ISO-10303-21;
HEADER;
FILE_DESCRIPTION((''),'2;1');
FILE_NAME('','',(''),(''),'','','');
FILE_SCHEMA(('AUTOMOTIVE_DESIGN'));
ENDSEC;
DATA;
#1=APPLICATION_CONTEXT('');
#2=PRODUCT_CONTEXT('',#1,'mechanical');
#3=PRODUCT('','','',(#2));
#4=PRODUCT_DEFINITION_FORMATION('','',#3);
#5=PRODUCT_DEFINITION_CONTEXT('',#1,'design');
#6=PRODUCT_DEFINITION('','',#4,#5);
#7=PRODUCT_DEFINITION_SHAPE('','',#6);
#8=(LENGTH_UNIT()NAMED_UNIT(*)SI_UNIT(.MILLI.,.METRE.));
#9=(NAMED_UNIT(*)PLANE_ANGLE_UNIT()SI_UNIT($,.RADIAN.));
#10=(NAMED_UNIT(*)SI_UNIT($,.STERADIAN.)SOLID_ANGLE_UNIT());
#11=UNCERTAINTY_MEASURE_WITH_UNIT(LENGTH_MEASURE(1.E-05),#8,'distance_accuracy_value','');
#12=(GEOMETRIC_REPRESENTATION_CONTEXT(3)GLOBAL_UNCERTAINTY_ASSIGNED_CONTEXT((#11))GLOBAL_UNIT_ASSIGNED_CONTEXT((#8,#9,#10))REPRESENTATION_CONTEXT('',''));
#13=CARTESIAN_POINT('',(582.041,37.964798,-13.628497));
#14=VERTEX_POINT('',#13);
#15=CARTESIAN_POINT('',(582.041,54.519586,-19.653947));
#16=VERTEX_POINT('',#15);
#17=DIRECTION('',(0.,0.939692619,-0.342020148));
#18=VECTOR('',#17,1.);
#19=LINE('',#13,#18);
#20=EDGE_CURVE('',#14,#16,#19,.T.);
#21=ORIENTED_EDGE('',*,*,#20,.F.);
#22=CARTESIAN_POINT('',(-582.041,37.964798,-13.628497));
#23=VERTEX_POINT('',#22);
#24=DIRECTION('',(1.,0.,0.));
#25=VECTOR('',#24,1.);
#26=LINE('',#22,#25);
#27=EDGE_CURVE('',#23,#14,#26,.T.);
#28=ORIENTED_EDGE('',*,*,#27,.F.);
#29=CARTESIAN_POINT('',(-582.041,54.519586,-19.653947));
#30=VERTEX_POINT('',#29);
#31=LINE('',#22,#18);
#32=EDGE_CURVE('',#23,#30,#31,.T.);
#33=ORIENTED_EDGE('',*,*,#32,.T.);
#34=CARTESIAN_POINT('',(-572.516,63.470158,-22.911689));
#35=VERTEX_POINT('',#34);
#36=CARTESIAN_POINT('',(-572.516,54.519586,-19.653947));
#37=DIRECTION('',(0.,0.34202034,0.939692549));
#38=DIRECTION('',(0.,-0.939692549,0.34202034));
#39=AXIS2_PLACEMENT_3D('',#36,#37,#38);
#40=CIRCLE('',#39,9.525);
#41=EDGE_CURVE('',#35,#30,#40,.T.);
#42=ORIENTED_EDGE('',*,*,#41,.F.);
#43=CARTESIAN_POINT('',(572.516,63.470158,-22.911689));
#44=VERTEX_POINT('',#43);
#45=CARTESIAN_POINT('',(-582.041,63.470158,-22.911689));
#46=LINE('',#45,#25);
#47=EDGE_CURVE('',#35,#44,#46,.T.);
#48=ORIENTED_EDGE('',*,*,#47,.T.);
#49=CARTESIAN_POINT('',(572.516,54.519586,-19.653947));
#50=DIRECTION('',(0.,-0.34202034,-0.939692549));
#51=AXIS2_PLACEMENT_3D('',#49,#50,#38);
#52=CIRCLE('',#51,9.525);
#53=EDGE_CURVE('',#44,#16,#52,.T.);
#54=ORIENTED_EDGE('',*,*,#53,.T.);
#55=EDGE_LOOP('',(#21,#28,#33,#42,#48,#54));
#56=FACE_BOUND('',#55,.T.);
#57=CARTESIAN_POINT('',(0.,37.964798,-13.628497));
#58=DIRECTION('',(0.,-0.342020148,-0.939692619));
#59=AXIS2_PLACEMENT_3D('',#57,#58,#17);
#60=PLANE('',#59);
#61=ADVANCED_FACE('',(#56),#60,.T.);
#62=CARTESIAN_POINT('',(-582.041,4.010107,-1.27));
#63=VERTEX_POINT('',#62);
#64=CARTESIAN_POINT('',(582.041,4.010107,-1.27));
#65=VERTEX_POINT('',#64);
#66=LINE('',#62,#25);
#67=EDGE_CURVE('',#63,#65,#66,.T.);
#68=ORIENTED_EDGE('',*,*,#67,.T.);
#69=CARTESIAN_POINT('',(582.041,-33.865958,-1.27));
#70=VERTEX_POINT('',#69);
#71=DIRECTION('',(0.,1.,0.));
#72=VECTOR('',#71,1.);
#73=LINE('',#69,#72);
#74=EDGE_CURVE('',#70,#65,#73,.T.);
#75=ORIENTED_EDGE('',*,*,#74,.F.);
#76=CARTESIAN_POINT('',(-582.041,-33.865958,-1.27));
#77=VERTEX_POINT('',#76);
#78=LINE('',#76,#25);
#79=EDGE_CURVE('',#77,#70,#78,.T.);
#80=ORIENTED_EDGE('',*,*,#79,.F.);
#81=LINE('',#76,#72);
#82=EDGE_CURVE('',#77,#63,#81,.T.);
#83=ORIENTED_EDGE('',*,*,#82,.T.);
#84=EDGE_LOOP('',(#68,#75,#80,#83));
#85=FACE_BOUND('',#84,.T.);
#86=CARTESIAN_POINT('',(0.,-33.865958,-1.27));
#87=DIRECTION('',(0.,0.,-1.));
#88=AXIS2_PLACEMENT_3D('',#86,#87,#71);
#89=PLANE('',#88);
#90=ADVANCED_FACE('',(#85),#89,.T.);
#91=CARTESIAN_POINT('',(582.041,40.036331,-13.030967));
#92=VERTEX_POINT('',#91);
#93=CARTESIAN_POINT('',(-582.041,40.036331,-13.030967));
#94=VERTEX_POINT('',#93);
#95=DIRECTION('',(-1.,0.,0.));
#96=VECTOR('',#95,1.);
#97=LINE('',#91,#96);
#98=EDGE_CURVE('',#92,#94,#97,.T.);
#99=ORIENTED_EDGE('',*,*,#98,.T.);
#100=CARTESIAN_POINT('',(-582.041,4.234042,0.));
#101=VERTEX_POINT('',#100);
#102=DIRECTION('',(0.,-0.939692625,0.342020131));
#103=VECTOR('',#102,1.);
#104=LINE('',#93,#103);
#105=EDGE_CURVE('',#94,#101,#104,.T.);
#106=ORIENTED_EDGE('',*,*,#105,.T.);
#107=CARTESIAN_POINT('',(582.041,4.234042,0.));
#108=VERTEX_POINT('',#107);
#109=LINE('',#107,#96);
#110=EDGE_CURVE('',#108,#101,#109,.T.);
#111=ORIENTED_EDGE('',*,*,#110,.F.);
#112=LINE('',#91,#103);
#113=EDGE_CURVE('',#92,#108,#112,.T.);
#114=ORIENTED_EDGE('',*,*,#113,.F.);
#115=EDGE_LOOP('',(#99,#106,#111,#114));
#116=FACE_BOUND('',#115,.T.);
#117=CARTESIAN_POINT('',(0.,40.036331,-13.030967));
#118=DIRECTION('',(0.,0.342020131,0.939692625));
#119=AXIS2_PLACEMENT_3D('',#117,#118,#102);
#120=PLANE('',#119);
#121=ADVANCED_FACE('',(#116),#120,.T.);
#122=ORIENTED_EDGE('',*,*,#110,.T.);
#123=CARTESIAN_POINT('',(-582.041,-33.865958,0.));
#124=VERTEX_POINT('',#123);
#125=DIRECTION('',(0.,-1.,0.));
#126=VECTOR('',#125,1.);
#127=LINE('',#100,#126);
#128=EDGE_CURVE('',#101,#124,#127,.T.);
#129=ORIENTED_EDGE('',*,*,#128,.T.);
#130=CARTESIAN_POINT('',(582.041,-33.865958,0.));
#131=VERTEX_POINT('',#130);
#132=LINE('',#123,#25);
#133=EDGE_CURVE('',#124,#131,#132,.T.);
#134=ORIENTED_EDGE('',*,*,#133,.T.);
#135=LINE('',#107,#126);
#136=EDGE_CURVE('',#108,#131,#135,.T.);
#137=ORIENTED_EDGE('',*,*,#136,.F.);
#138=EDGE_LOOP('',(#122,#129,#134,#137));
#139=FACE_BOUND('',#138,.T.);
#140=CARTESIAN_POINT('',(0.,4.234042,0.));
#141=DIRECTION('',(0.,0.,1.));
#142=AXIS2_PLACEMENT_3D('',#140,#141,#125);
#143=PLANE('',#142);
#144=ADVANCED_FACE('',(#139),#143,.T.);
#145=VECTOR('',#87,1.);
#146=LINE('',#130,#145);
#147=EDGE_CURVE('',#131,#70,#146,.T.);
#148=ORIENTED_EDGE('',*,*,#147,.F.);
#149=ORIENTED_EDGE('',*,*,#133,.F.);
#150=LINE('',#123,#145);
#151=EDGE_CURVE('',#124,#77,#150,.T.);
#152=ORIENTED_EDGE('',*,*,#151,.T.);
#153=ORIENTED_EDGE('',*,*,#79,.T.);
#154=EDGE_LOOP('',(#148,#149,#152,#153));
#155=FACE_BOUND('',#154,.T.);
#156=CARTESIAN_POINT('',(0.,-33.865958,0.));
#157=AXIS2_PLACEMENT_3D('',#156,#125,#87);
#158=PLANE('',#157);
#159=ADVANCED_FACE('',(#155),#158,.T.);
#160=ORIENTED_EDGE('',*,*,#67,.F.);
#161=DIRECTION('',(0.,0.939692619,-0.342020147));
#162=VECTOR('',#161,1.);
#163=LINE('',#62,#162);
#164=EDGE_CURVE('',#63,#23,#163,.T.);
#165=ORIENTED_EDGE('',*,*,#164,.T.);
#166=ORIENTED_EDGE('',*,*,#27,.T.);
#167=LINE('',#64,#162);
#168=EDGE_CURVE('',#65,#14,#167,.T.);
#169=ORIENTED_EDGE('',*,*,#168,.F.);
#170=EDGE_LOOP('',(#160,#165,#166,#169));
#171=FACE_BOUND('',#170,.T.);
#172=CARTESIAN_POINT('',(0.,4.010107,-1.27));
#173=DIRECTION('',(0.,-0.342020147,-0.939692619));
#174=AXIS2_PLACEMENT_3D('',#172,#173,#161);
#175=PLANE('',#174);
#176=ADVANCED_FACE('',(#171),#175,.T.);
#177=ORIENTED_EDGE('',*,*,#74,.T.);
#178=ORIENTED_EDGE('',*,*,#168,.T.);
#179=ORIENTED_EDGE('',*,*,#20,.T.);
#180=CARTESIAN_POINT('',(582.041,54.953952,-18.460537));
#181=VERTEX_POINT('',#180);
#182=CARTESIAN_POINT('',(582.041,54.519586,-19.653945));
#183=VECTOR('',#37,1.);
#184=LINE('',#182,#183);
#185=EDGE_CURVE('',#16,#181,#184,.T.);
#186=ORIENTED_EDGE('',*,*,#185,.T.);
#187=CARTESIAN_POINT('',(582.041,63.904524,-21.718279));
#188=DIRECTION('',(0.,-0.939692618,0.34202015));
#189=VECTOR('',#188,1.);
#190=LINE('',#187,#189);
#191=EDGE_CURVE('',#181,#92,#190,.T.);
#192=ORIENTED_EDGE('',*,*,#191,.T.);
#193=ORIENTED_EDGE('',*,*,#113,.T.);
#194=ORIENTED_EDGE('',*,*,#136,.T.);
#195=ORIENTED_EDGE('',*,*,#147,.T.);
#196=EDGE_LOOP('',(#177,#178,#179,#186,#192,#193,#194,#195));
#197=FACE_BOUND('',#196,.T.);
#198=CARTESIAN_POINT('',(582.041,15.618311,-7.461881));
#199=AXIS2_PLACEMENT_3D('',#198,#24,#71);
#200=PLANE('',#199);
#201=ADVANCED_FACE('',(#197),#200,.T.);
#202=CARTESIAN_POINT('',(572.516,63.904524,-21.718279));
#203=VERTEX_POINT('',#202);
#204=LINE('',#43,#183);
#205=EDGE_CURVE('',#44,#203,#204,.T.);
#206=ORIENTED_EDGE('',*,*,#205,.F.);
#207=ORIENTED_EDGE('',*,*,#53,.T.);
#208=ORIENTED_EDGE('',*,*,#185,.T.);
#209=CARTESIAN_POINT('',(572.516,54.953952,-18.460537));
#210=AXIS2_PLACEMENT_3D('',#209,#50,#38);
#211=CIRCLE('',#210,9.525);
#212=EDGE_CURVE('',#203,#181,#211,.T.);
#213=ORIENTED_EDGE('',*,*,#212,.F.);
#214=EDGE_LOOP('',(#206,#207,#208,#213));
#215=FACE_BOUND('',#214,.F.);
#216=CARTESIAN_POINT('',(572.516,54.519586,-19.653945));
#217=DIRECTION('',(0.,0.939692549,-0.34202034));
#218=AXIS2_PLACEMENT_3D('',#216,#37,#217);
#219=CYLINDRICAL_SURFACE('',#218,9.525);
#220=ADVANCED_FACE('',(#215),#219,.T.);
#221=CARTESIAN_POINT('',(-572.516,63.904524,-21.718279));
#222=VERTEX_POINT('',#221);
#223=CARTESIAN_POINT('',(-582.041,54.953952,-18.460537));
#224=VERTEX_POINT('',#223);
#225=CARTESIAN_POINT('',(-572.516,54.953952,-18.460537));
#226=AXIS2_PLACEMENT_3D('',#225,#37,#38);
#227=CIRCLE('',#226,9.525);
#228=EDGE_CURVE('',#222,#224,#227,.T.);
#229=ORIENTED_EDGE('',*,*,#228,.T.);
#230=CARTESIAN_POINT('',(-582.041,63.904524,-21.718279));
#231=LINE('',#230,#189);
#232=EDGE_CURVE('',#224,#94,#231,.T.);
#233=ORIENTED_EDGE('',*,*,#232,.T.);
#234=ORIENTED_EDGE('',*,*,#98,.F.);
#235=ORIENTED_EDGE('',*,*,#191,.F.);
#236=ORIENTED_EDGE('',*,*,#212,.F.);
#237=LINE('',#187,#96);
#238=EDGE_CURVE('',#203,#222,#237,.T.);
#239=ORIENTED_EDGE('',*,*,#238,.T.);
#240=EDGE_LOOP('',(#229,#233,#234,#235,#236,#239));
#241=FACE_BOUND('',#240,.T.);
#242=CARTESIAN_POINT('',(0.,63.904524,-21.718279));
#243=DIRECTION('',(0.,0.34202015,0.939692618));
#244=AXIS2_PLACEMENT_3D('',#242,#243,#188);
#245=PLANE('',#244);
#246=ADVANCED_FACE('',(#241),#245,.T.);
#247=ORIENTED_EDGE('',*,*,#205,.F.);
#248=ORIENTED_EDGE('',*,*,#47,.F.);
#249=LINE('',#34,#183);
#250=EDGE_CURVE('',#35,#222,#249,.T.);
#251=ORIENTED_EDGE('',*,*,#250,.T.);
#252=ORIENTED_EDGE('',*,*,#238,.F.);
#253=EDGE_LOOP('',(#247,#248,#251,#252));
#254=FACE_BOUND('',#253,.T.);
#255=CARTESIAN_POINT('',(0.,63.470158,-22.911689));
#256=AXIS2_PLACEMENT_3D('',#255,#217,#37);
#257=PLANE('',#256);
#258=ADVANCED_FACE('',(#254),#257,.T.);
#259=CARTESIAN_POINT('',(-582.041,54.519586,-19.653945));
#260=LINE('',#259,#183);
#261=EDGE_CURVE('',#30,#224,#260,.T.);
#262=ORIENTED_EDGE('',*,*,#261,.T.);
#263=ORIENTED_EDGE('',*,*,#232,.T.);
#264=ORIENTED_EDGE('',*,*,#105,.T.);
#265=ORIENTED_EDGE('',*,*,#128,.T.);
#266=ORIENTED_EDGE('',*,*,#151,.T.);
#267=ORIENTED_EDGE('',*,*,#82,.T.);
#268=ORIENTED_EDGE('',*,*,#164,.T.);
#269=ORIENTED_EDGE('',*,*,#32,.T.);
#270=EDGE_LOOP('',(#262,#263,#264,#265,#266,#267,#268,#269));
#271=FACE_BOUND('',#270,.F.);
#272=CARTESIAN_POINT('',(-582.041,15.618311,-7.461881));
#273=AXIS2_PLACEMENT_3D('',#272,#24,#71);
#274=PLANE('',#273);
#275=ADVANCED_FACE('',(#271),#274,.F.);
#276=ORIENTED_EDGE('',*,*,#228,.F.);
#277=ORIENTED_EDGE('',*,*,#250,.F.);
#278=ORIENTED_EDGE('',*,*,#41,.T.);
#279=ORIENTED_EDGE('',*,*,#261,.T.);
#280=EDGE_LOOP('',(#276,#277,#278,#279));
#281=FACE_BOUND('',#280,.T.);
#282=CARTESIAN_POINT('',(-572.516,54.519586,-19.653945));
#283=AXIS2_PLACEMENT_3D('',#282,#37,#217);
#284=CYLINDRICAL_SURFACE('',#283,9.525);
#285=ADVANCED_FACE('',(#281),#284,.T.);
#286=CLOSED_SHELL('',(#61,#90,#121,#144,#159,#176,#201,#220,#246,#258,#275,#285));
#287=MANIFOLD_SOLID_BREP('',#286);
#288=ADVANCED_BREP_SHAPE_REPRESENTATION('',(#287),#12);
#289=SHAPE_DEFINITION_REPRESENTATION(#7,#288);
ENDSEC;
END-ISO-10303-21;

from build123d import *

# Parameters (mm, degrees)
F1_DEPTH = 582.041
F2_R     = 9.525
F3_R     = 9.525


with BuildPart() as f1:
    # F0 (on Right) → F1 (new body, symmetric)
    with BuildSketch(Plane.YZ):
        Polygon((4.234042, 0), (-33.865958, 0), (-33.865958, -1.27), (4.010107, -1.27), (37.964798, -13.628497), (63.470158, -22.911689), (63.904524, -21.718279), (40.036331, -13.030967), align=None)
    extrude(amount=F1_DEPTH, both=True)

    # F2
    f2_edges = [f1.edges().sort_by_distance(p)[0] for p in [
        (582.041, 63.687341, -22.314984),
    ]]
    fillet(f2_edges, radius=F2_R)

    # F3
    f3_edges = [f1.edges().sort_by_distance(p)[0] for p in [
        (-582.041, 63.687341, -22.314984),
    ]]
    fillet(f3_edges, radius=F3_R)


solid = f1.part
